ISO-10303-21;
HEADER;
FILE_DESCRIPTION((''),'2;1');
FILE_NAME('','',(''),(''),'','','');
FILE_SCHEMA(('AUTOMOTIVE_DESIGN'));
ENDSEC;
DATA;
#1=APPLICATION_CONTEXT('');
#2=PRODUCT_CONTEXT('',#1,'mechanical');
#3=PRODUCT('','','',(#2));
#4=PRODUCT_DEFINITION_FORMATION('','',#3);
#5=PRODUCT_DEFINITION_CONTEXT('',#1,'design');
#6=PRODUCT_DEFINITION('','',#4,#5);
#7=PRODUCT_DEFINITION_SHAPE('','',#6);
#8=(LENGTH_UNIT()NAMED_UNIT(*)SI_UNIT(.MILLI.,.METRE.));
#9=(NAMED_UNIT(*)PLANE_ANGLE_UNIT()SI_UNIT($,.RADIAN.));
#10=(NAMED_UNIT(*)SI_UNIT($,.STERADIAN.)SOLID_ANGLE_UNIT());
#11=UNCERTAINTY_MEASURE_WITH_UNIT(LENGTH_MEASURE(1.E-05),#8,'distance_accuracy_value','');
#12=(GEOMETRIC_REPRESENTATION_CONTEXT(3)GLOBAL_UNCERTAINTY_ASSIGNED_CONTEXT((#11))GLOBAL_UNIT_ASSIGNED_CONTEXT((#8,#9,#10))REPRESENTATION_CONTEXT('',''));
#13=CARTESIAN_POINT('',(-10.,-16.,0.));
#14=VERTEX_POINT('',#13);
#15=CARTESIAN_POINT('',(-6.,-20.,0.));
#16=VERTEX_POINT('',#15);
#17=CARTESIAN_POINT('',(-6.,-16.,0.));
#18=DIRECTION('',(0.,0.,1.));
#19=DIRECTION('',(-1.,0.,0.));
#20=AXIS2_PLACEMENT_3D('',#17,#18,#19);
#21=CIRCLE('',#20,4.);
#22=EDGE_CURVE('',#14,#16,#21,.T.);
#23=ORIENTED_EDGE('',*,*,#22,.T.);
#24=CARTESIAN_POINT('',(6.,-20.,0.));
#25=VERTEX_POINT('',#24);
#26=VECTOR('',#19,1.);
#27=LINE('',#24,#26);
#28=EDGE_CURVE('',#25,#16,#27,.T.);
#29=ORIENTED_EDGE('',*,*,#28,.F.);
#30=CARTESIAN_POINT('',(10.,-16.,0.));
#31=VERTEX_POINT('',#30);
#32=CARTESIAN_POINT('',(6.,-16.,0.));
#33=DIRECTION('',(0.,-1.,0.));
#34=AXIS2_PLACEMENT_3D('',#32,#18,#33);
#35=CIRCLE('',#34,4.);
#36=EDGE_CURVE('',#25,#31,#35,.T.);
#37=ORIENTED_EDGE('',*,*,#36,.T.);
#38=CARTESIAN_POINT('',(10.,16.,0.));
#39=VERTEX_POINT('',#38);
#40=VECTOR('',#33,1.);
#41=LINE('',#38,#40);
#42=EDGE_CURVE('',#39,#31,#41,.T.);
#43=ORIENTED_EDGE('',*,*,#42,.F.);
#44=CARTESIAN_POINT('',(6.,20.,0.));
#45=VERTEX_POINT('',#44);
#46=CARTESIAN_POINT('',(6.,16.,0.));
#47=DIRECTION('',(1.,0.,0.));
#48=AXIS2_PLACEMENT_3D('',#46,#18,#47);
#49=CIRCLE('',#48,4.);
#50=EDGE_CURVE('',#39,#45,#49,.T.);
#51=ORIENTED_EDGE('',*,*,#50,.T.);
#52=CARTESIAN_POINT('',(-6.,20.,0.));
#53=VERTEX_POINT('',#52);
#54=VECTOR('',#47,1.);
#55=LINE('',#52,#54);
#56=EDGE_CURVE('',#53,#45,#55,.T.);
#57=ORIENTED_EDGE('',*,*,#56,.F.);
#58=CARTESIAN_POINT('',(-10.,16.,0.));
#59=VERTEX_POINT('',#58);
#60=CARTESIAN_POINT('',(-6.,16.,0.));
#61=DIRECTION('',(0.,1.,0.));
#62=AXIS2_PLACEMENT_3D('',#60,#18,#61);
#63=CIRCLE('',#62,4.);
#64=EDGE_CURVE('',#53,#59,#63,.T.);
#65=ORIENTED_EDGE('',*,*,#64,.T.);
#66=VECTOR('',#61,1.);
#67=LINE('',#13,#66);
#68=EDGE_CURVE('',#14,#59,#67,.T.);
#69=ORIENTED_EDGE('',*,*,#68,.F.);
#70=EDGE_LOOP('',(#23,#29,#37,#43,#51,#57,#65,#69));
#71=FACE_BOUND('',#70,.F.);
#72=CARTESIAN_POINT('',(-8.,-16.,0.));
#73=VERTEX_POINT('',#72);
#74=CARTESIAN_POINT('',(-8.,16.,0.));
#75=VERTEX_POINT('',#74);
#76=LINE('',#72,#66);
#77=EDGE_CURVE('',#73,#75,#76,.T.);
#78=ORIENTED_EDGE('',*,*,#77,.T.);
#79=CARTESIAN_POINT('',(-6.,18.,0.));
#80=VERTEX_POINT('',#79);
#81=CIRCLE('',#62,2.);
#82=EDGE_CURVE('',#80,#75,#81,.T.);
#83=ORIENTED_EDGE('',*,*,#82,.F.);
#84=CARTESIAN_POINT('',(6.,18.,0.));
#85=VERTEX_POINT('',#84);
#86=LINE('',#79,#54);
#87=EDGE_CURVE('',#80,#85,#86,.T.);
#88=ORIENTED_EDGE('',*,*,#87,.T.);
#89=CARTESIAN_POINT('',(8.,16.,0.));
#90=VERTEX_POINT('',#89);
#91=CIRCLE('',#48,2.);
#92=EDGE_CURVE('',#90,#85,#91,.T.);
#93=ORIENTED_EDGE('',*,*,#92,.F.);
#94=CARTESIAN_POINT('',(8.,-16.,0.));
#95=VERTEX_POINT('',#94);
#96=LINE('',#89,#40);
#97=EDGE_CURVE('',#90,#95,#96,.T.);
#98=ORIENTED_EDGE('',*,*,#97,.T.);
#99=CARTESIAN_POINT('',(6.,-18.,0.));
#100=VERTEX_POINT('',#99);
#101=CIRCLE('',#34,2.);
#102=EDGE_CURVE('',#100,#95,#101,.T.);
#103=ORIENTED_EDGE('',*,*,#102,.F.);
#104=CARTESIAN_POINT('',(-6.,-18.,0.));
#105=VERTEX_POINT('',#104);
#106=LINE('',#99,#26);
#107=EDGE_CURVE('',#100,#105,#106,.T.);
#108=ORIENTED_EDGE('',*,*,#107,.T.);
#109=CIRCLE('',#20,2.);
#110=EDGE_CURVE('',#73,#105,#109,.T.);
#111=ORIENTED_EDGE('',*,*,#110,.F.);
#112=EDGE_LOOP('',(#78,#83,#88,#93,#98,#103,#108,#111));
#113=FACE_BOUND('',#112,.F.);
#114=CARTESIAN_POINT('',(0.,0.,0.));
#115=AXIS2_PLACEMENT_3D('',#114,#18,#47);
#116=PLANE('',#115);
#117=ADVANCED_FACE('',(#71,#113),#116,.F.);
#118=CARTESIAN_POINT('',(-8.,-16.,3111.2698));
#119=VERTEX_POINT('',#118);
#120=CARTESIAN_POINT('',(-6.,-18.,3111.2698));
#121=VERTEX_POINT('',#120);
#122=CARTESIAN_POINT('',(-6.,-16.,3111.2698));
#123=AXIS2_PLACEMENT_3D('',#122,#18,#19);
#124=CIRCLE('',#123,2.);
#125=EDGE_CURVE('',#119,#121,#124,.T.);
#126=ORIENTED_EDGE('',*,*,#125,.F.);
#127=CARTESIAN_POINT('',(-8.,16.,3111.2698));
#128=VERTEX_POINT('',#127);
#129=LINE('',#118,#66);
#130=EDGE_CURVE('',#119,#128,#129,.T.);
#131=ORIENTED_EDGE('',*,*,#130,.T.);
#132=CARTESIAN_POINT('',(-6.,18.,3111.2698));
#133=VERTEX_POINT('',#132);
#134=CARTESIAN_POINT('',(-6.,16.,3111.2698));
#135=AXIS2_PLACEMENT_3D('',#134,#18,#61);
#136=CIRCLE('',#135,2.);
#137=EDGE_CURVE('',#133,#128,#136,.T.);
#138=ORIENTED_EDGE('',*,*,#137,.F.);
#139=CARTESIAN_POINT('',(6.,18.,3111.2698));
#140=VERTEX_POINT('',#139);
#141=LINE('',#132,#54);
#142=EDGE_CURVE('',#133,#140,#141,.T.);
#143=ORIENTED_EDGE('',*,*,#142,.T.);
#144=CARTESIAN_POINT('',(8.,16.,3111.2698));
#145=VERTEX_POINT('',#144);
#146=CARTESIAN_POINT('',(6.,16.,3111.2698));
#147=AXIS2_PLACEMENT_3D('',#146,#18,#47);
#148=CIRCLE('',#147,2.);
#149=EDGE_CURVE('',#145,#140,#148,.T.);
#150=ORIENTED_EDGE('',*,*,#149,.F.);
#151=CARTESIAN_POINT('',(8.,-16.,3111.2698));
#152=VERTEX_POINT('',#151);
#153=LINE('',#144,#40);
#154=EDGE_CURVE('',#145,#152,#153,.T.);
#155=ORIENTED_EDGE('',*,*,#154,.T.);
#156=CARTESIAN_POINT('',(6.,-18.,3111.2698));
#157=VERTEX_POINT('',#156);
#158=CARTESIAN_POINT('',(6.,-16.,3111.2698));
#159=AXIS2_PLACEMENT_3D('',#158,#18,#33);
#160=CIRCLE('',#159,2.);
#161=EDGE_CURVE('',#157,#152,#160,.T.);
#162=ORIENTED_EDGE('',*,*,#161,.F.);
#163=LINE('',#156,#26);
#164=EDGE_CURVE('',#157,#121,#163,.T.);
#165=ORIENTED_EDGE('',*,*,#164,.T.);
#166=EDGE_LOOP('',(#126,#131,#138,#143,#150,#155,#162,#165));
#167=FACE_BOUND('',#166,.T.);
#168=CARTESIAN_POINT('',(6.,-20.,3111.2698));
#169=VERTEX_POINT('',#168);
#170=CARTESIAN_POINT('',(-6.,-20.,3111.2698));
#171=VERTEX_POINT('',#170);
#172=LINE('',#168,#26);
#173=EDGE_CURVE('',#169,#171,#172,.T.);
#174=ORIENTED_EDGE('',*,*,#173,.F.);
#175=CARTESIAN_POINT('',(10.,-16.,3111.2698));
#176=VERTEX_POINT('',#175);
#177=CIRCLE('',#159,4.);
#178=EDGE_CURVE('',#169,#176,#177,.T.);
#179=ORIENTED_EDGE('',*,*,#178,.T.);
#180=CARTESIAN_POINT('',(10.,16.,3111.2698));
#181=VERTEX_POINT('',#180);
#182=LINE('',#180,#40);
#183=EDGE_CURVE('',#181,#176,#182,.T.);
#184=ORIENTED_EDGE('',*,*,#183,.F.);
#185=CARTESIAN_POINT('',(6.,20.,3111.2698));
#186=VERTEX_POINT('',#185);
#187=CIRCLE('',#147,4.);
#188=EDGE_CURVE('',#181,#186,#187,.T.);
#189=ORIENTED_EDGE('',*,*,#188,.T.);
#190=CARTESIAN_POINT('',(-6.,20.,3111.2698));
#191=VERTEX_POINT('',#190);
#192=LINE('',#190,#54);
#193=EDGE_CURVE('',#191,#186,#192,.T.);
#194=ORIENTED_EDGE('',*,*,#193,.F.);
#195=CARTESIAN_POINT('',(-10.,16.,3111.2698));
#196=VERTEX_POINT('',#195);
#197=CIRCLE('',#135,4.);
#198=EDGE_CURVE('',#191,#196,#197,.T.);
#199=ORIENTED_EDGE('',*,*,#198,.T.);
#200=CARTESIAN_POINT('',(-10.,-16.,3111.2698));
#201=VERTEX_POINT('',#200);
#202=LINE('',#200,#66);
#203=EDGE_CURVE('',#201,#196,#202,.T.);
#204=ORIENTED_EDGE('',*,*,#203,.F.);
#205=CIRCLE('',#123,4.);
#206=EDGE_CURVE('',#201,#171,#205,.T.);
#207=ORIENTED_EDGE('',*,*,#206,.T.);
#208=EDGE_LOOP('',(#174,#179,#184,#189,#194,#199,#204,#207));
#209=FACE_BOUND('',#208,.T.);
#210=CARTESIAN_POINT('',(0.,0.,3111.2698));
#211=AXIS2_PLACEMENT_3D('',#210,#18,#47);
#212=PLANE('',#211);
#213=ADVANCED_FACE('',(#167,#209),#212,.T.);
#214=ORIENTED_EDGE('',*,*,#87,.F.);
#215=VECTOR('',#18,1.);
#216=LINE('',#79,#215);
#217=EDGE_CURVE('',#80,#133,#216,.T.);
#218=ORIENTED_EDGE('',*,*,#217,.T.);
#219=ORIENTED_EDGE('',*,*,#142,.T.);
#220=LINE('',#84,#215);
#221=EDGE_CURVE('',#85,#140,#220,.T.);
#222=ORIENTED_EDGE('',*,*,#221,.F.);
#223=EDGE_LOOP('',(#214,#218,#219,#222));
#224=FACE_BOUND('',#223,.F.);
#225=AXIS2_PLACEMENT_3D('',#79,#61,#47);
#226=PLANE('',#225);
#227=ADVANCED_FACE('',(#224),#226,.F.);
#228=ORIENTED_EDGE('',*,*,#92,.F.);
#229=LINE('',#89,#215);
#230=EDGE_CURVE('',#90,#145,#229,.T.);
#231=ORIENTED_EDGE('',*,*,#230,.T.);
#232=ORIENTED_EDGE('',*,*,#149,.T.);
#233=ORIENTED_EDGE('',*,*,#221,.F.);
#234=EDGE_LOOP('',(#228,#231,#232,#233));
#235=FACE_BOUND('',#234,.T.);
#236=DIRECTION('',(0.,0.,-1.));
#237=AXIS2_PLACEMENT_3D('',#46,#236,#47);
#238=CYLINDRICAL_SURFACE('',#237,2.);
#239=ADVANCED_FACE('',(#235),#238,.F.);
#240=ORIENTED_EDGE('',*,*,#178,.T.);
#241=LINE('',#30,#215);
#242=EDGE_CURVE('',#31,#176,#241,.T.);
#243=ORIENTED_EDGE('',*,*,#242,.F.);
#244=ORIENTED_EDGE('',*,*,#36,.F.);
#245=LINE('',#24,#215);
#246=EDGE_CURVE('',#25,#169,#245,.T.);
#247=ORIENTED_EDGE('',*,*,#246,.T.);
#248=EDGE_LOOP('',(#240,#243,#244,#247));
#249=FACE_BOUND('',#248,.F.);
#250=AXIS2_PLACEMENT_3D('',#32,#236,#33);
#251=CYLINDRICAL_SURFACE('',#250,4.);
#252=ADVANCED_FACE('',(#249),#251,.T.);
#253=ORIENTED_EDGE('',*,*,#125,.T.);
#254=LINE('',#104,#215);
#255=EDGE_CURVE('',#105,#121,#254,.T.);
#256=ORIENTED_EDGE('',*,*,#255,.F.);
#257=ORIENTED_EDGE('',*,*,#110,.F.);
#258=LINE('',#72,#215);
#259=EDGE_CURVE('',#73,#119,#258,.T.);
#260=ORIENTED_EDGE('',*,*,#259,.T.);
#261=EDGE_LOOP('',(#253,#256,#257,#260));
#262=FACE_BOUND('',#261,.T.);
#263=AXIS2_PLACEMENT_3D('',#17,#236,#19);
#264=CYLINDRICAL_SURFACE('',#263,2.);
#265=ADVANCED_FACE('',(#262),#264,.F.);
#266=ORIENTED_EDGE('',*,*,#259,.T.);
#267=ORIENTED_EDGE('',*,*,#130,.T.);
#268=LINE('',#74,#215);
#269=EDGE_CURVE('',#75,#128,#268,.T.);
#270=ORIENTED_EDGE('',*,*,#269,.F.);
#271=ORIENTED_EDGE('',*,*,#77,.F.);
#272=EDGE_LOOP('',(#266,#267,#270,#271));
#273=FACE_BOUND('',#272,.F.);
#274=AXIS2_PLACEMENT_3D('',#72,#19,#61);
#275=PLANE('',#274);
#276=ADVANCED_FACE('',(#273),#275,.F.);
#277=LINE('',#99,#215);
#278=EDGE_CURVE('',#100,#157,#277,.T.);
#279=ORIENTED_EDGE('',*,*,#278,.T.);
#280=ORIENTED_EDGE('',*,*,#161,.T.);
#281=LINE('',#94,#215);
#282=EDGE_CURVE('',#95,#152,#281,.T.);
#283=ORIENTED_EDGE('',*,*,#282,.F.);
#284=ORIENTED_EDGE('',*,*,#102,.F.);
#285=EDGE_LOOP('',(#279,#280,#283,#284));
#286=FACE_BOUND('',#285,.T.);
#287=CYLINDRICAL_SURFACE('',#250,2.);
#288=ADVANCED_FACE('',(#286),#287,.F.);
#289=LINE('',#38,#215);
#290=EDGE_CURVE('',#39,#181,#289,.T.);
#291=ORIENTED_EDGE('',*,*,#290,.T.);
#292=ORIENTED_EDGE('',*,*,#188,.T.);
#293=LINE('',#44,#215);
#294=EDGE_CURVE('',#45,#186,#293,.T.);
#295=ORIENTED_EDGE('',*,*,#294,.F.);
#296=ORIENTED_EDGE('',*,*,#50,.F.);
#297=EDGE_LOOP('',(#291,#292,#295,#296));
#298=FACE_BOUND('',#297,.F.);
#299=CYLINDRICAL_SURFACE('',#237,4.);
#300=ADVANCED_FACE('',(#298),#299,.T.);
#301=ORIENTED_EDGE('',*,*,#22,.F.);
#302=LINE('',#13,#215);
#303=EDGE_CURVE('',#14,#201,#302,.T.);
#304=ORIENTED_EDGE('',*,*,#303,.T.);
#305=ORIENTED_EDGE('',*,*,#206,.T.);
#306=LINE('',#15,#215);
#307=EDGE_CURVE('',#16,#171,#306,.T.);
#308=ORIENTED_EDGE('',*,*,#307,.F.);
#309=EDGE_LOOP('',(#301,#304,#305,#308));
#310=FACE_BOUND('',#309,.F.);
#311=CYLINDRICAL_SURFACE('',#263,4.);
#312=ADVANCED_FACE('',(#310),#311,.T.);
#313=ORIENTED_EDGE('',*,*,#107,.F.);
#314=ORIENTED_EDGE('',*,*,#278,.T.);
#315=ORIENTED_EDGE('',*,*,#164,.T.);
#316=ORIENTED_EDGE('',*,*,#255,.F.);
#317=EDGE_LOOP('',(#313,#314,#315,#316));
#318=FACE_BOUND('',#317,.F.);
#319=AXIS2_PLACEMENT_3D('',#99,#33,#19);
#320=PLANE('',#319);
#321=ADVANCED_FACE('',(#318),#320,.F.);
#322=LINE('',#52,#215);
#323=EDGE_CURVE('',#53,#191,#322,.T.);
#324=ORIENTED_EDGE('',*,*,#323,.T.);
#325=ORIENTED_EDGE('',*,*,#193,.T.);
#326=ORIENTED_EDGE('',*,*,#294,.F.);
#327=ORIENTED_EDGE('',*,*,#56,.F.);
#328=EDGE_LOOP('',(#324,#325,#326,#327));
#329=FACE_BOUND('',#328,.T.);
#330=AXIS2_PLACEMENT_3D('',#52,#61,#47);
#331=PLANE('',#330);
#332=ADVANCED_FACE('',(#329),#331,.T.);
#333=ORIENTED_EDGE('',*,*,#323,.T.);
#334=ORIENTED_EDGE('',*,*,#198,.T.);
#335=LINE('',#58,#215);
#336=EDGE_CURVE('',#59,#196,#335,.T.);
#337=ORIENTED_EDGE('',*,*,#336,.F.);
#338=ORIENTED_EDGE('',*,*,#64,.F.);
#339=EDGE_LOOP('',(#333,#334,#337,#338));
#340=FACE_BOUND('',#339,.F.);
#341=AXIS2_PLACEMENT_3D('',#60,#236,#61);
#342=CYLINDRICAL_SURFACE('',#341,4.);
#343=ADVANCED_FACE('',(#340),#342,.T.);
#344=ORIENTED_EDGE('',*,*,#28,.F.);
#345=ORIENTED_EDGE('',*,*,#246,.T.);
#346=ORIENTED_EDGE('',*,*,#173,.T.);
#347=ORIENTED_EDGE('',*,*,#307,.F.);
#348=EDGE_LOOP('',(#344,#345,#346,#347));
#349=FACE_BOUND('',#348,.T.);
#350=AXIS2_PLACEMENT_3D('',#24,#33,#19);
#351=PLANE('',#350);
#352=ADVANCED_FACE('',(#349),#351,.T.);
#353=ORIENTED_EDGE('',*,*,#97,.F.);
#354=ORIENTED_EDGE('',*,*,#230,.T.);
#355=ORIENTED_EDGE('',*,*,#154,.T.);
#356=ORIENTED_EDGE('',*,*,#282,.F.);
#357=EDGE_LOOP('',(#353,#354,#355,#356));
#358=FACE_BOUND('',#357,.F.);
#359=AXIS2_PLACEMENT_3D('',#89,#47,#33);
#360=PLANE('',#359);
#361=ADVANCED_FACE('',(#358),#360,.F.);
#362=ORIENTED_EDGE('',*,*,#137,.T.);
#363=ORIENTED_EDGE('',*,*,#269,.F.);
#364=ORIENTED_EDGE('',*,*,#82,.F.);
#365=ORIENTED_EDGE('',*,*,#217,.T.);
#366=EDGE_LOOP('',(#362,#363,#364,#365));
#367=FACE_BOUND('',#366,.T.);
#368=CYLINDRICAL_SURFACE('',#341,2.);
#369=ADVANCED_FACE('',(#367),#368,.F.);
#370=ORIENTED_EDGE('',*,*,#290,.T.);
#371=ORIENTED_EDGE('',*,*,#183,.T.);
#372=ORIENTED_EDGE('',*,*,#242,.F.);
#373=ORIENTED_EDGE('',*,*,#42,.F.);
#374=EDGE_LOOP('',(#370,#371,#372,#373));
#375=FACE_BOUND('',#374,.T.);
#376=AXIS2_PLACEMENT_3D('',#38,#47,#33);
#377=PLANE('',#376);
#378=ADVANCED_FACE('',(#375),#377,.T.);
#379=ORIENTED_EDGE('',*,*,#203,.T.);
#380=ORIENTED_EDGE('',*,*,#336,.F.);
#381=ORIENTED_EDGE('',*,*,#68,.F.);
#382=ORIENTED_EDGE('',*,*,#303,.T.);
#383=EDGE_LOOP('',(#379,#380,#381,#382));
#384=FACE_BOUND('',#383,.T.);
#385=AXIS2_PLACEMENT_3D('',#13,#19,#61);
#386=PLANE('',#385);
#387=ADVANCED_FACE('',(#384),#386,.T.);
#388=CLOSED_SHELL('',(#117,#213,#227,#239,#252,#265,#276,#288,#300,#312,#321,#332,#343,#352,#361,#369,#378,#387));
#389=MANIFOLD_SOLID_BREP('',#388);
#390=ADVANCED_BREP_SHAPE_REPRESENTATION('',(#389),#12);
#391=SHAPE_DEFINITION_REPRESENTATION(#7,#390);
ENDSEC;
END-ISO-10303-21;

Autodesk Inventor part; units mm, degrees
ref_plane "YZ Plane" through (0, 0, 0) normal (1, 0, 0) x (0, 1, 0)
ref_plane "Start Plane" through (0, 0, 0) normal (0, 0, 1) x (1, 0, 0)
ref_plane "End Plane" through (0, 0, 3111.2698) normal (0, 0, 1) x (1, 0, 0)
sketch "Sketch" plane through (0, 0, 0) normal (0, 0, 1) x (1, 0, 0)
  line L0 (-10, -16) -> (-10, 16)
  line L1 (-6, 20) -> (6, 20)
  line L2 (10, 16) -> (10, -16)
  line L3 (6, -20) -> (-6, -20)
  arc A0 (-10, -16) -> (-6, -20) centre (-6, -16) ccw
  arc A1 (10, 16) -> (6, 20) centre (6, 16) ccw
  arc A2 (-6, 20) -> (-10, 16) centre (-6, 16) ccw
  arc A3 (6, -20) -> (10, -16) centre (6, -16) ccw
  arc A4 (-6, 18) -> (-8, 16) centre (-6, 16) ccw
  line L4 (-6, 18) -> (6, 18)
  arc A5 (8, 16) -> (6, 18) centre (6, 16) ccw
  line L5 (8, 16) -> (8, -16)
  arc A6 (6, -18) -> (8, -16) centre (6, -16) ccw
  line L6 (6, -18) -> (-6, -18)
  arc A7 (-8, -16) -> (-6, -18) centre (-6, -16) ccw
  line L7 (-8, -16) -> (-8, 16)
  line L8 (0, 29.1598) -> (0, -29.1598) construction
  line L9 (-15.1598, 0) -> (15.1598, 0) construction
  dimension "d7" = 4
  dimension "d9" = 20
  dimension "d11" = 40
  dimension "d12" = 2
  dimension "d15" = 10
  dimension "d16" = 20
extrude "Body" add sketch "Sketch" along normal up to surface (3111.2698 mm away) from surface at 0
sketch "Sketch3" plane through (0, 0, 0) normal (0, 0, 1) x (1, 0, 0)
  line L0 (0, 0) -> (10, 0)
ref_plane "Work Plane3" through (0, 0, 0) normal (0, -1, 0) x (1, 0, 0)
sketch "Sketch4" plane through (0, 0, 0) normal (0, -1, 0) x (1, 0, 0)
  line L0 (-2, 0) -> (12, 0) projected
  line L1 (-2, 3111.2698) -> (12, 3111.2698) projected
  dimension "d18" = 3111.2698
equation "\"d7\" = G_IR"
equation "\"d9\" = G_W"
equation "\"d11\" = G_H"
equation "\"d12\" = G_T"
equation "\"d15\" = 0.5 * d9"
equation "\"d16\" = 0.5 * d11"
equation "\"d3\" = G_L"
equation "\"G_W\" = 20"
equation "\"G_H\" = 40"
equation "\"G_T\" = 2"
equation "\"G_IR\" = 4"
equation "\"G_L\" = d18"
equation "\"G_OFFSET_START\" = 0"
equation "\"G_OFFSET_END\" = 0"
equation "\"d14\" = G_OFFSET_END + B_L"
equation "\"B_L\" = 3111.26984"
properties part number "ISO 10799-2 - 40x20x2 - 3111,27" material "Steel, Mild"
